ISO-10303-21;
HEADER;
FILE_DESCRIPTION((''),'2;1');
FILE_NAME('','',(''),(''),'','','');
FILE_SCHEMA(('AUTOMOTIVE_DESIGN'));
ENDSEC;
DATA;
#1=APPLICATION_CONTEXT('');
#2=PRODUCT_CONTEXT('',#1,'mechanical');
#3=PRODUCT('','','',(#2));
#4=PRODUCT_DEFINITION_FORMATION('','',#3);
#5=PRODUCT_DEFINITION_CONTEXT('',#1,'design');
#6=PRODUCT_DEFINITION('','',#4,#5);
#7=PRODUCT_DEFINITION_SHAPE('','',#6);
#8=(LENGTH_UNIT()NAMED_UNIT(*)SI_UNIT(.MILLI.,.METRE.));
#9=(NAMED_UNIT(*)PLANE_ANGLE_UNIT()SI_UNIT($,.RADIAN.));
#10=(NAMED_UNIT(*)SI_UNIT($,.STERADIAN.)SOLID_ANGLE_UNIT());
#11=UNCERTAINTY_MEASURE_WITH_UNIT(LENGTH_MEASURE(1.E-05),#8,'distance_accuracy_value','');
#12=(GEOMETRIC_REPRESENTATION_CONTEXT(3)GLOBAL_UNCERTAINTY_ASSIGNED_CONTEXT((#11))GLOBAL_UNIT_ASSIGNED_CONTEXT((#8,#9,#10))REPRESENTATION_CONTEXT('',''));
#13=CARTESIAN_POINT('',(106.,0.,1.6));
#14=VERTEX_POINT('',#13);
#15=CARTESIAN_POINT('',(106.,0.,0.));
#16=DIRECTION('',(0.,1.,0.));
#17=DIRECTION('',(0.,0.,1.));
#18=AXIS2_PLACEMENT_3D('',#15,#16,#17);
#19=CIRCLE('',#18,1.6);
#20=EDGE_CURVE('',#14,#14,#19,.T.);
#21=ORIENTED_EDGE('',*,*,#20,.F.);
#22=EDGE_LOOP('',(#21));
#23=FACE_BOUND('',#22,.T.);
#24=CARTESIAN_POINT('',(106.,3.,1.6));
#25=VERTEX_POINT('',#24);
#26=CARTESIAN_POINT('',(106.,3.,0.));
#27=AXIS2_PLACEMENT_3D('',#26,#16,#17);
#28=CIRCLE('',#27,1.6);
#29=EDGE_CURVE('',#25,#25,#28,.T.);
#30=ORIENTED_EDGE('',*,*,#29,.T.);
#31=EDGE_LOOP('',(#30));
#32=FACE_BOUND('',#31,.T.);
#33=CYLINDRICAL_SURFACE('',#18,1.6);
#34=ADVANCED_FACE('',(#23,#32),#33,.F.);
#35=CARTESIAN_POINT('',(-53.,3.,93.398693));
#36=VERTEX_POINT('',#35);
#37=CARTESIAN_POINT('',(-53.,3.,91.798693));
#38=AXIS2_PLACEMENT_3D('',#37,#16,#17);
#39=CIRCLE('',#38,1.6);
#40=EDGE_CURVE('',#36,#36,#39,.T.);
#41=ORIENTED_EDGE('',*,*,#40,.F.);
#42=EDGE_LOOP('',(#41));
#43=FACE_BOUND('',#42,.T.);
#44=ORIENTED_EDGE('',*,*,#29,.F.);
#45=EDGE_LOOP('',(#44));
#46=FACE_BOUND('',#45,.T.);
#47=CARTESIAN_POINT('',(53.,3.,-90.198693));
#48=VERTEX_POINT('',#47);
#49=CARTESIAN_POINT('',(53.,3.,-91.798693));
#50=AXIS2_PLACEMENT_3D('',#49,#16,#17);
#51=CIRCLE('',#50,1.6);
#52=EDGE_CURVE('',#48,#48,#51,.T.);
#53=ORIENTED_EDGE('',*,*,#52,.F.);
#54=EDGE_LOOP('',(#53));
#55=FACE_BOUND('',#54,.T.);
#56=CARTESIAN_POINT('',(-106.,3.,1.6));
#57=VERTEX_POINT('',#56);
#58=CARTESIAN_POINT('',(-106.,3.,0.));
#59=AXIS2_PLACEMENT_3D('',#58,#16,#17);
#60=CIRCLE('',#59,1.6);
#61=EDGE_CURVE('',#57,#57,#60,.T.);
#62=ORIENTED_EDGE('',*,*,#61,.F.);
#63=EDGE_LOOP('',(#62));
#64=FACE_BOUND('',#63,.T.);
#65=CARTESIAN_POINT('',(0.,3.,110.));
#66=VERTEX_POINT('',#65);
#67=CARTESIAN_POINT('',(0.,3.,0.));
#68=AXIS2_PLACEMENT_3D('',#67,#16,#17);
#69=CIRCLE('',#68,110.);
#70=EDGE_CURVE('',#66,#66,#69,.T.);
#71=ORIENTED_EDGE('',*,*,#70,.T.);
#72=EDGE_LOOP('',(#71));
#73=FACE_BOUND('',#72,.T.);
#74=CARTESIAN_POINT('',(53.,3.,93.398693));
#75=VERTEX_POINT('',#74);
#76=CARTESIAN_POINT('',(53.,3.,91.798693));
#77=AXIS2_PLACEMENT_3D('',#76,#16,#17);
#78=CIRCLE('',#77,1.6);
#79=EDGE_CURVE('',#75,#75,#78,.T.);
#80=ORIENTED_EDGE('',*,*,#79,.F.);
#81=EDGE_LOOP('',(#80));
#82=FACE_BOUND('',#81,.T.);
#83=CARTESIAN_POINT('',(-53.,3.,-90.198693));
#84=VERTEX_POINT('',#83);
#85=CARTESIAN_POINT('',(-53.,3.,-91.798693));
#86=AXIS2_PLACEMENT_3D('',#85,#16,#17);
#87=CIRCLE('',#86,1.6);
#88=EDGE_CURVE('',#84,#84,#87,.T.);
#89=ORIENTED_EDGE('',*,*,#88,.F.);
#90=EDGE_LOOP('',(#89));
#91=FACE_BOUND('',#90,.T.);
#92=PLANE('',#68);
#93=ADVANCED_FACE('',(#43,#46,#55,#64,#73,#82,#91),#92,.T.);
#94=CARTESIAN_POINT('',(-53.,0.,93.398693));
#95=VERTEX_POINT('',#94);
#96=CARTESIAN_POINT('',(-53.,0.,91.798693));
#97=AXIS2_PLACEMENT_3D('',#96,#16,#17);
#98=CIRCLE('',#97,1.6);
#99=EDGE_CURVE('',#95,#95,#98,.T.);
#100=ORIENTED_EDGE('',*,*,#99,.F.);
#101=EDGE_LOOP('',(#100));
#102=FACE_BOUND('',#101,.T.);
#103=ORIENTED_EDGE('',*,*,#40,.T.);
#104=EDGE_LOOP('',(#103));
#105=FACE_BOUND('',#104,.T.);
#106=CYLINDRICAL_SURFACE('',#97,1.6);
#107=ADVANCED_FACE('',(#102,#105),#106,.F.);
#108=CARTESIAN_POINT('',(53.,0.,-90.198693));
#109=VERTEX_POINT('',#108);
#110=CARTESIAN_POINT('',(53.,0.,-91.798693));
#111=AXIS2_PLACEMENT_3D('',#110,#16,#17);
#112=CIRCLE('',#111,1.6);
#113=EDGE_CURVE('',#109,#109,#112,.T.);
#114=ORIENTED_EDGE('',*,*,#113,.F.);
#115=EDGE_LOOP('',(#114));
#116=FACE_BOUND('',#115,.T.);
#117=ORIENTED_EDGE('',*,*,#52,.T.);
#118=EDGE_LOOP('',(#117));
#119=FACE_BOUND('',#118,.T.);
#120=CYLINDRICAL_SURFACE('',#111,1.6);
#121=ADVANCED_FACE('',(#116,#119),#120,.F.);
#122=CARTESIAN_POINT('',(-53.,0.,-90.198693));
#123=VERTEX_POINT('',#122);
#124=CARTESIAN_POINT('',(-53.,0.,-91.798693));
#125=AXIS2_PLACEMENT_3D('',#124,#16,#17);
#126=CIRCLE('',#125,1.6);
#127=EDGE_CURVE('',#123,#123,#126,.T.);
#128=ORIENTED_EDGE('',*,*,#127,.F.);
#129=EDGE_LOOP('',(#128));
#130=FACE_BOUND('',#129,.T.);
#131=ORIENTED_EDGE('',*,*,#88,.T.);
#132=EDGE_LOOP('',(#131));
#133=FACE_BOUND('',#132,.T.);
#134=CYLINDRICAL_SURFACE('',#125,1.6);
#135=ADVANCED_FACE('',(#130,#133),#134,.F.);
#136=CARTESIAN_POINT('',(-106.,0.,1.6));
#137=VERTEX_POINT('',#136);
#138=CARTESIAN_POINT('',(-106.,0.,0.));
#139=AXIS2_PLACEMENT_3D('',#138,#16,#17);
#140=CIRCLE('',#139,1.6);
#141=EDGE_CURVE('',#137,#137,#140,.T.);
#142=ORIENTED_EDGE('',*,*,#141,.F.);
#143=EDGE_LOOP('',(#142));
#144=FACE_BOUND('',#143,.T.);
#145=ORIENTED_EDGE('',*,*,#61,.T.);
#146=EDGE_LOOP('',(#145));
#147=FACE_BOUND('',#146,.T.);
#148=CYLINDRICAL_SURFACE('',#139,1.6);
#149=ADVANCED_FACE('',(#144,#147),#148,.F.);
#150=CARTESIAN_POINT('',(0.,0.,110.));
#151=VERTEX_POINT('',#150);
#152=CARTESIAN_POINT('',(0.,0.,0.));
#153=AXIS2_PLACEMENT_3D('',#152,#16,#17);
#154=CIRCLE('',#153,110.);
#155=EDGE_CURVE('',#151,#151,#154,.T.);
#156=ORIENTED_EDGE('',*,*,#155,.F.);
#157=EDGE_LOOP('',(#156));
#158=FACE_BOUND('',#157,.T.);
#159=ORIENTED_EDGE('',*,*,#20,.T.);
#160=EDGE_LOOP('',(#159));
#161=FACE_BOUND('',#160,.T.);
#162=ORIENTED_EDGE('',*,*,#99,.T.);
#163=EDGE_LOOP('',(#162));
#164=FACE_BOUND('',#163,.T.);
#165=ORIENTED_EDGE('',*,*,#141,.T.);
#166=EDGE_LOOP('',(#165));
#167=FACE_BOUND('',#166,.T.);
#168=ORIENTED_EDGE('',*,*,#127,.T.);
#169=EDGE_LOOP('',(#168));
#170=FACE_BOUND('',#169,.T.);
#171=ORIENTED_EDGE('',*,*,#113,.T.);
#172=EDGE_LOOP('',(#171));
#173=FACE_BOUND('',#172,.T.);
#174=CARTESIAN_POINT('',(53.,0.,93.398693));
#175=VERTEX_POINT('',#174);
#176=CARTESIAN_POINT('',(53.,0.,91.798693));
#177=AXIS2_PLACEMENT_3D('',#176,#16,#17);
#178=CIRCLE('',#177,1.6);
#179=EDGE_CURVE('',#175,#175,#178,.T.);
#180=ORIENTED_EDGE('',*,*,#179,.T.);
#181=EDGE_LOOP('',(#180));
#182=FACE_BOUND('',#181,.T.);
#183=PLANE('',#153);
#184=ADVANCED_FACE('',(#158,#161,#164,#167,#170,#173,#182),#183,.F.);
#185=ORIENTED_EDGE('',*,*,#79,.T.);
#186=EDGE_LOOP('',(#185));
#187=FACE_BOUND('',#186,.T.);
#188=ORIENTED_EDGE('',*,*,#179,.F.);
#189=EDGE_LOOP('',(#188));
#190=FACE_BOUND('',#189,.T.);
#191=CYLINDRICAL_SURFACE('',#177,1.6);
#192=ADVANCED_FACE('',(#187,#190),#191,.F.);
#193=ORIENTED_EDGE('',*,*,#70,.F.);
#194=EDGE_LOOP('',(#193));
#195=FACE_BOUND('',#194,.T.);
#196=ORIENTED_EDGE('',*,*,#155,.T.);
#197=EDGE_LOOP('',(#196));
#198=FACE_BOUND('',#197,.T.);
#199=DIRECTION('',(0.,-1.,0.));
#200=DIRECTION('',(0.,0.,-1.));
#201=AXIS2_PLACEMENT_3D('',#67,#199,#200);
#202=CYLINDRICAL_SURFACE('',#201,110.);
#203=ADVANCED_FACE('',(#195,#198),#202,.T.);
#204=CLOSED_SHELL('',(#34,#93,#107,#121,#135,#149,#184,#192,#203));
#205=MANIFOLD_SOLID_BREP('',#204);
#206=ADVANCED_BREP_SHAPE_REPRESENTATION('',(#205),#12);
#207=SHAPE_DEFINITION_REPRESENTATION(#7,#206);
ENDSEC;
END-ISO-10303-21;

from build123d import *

# Parameters (mm, degrees)
SKETCH1_R           = 110
BOSS_EXTRUDE1_DEPTH = 3
SKETCH2_R           = 1.6
CUT_EXTRUDE1_DEPTH  = 3


with BuildPart() as part:
    # Sketch1 → Boss-Extrude1 (new body)
    with BuildSketch(Plane(origin=(0, 0, 0), x_dir=(1, 0, 0), z_dir=(0, 1, 0))):
        with Locations(Location((0, 0, 0), (0, 0, 270))):
            Circle(SKETCH1_R)
    extrude(amount=BOSS_EXTRUDE1_DEPTH)

    # Sketch2 → Cut-Extrude1 (cut)
    with BuildSketch(Plane(origin=(0, 3, 0), x_dir=(1, 0, 0), z_dir=(0, 1, 0))):
        with Locations(Location((53, 91.798692801, 0), (0, 0, 270))):
            Circle(SKETCH2_R)
        with Locations(Location((106, 0, 0), (0, 0, 270))):
            Circle(SKETCH2_R)
        with Locations(Location((53, -91.798692801, 0), (0, 0, 270))):
            Circle(SKETCH2_R)
        with Locations(Location((-53, -91.798692801, 0), (0, 0, 270))):
            Circle(SKETCH2_R)
        with Locations(Location((-106, 0, 0), (0, 0, 270))):
            Circle(SKETCH2_R)
        with Locations(Location((-53, 91.798692801, 0), (0, 0, 270))):
            Circle(SKETCH2_R)
    extrude(amount=-CUT_EXTRUDE1_DEPTH, mode=Mode.SUBTRACT)


solid = part.part
